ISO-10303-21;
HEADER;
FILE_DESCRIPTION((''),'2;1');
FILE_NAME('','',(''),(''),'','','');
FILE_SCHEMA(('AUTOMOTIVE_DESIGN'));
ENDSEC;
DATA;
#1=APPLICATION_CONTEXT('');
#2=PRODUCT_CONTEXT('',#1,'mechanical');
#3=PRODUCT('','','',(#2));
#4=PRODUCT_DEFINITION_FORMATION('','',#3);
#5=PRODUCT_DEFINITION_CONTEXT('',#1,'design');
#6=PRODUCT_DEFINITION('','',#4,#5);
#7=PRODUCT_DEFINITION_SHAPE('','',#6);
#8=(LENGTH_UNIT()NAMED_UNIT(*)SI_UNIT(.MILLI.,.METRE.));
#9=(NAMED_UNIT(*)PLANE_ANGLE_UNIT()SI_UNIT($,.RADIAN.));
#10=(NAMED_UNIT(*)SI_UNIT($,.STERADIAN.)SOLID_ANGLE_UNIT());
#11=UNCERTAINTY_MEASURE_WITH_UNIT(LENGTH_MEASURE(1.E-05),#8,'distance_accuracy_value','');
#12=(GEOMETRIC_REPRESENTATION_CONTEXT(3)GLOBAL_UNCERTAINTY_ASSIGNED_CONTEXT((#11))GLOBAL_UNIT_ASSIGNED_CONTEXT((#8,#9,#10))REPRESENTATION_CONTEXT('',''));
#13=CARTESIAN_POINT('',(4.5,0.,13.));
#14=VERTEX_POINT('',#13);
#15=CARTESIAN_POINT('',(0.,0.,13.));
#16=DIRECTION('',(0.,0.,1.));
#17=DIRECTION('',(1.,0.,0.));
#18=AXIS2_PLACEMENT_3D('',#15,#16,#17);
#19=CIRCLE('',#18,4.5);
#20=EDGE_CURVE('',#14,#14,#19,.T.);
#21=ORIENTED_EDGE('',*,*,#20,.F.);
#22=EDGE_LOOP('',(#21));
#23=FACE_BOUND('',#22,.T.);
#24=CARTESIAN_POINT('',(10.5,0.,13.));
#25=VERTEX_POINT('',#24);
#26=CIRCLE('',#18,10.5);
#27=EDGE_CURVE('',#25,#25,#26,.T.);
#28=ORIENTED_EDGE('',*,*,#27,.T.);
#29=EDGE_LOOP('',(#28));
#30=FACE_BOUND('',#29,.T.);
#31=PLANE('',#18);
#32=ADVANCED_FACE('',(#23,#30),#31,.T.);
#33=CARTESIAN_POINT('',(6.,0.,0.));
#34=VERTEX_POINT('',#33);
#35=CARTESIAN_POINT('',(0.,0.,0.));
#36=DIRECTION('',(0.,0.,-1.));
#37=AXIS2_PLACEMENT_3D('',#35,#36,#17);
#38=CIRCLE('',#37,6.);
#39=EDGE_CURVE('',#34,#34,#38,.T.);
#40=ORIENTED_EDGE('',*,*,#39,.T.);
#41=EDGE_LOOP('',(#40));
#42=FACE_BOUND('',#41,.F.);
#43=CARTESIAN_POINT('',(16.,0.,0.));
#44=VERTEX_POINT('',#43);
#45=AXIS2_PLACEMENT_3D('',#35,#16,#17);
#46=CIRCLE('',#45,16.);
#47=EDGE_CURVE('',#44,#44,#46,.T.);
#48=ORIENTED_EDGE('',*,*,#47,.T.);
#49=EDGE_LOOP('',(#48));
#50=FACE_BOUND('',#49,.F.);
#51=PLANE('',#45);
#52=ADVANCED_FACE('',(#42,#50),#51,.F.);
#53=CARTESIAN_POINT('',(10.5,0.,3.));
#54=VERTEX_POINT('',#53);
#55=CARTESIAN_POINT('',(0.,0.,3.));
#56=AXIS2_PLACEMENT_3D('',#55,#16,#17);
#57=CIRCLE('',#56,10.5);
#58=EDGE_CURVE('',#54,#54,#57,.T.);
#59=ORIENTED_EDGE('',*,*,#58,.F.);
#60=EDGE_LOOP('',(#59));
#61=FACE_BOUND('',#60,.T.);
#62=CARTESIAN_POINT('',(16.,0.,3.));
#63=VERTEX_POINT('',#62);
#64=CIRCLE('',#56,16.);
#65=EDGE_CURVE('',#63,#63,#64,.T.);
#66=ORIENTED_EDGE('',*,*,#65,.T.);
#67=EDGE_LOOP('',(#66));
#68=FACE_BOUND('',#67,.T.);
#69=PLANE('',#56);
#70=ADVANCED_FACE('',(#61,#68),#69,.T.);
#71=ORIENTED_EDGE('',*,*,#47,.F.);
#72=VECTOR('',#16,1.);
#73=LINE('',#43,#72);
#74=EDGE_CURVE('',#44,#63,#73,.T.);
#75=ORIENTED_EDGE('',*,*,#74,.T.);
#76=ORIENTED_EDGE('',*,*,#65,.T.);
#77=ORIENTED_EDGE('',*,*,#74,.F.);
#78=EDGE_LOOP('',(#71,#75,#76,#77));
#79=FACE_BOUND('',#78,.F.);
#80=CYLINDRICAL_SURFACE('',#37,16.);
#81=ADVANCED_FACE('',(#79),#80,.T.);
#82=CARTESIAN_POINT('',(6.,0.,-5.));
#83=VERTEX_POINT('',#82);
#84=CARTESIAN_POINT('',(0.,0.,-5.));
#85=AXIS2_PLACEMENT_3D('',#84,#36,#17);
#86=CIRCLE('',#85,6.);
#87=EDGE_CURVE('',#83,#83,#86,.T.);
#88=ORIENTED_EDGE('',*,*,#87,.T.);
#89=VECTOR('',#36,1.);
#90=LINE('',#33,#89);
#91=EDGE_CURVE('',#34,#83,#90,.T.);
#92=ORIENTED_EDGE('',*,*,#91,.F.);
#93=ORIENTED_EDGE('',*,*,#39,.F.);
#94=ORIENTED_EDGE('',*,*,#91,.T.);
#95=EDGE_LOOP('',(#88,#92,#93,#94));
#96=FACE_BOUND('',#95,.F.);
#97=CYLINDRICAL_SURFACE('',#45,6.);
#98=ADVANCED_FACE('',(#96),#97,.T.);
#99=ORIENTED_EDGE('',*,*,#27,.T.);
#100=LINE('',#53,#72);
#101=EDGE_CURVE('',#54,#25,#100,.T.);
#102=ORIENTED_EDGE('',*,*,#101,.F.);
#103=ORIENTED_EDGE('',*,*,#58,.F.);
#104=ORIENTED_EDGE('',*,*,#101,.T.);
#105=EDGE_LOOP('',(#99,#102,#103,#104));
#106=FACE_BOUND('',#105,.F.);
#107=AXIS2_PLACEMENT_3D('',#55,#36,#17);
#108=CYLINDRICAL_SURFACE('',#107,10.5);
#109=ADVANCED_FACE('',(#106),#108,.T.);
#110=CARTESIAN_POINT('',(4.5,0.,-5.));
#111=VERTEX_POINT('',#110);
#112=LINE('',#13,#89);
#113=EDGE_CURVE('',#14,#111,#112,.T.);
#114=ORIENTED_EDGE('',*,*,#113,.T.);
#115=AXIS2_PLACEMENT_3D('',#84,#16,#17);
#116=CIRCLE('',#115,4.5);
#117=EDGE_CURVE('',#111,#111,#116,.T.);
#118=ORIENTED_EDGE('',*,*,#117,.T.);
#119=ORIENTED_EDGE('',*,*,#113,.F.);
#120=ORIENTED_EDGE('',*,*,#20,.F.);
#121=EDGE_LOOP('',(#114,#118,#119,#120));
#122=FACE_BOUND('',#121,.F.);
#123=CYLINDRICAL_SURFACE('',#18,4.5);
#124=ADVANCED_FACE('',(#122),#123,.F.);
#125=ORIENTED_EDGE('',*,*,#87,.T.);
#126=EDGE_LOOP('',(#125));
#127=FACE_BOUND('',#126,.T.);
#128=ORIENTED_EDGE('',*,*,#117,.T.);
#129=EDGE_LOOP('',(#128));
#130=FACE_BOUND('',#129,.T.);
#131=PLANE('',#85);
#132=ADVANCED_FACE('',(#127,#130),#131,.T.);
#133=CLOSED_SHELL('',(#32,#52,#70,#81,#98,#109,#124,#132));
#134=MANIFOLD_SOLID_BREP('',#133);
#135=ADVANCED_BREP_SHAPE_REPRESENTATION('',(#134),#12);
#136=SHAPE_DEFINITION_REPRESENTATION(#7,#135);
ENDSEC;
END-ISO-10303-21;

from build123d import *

# Parameters (mm, degrees)
SKETCH_R     = 16
PAD_DEPTH    = 3
SKETCH001_R  = 10.5
PAD001_DEPTH = 10
SKETCH002_R  = 6
PAD002_DEPTH = 5
SKETCH003_R  = 4.5
POCKET_DEPTH = 18.001


with BuildPart() as part:
    # Sketch → Pad (new body)
    with BuildSketch(Plane.XY):
        Circle(SKETCH_R)
    extrude(amount=PAD_DEPTH)

    # Sketch001 (on Face3 of Pad) → Pad001 (join)
    with BuildSketch(Plane.XY.offset(3)):
        Circle(SKETCH001_R)
    extrude(amount=PAD001_DEPTH)

    # Sketch002 (on Face2 of Pad001) → Pad002 (join)
    with BuildSketch(Plane(origin=(0, 0, 0), x_dir=(1, 0, 0), z_dir=(0, 0, -1))):
        Circle(SKETCH002_R)
    extrude(amount=PAD002_DEPTH)

    # Sketch003 (on Face7 of Pad002) → Pocket (cut, through all)
    with BuildSketch(Plane.XY.offset(13)):
        Circle(SKETCH003_R)
    extrude(amount=-POCKET_DEPTH, mode=Mode.SUBTRACT)


solid = part.part
